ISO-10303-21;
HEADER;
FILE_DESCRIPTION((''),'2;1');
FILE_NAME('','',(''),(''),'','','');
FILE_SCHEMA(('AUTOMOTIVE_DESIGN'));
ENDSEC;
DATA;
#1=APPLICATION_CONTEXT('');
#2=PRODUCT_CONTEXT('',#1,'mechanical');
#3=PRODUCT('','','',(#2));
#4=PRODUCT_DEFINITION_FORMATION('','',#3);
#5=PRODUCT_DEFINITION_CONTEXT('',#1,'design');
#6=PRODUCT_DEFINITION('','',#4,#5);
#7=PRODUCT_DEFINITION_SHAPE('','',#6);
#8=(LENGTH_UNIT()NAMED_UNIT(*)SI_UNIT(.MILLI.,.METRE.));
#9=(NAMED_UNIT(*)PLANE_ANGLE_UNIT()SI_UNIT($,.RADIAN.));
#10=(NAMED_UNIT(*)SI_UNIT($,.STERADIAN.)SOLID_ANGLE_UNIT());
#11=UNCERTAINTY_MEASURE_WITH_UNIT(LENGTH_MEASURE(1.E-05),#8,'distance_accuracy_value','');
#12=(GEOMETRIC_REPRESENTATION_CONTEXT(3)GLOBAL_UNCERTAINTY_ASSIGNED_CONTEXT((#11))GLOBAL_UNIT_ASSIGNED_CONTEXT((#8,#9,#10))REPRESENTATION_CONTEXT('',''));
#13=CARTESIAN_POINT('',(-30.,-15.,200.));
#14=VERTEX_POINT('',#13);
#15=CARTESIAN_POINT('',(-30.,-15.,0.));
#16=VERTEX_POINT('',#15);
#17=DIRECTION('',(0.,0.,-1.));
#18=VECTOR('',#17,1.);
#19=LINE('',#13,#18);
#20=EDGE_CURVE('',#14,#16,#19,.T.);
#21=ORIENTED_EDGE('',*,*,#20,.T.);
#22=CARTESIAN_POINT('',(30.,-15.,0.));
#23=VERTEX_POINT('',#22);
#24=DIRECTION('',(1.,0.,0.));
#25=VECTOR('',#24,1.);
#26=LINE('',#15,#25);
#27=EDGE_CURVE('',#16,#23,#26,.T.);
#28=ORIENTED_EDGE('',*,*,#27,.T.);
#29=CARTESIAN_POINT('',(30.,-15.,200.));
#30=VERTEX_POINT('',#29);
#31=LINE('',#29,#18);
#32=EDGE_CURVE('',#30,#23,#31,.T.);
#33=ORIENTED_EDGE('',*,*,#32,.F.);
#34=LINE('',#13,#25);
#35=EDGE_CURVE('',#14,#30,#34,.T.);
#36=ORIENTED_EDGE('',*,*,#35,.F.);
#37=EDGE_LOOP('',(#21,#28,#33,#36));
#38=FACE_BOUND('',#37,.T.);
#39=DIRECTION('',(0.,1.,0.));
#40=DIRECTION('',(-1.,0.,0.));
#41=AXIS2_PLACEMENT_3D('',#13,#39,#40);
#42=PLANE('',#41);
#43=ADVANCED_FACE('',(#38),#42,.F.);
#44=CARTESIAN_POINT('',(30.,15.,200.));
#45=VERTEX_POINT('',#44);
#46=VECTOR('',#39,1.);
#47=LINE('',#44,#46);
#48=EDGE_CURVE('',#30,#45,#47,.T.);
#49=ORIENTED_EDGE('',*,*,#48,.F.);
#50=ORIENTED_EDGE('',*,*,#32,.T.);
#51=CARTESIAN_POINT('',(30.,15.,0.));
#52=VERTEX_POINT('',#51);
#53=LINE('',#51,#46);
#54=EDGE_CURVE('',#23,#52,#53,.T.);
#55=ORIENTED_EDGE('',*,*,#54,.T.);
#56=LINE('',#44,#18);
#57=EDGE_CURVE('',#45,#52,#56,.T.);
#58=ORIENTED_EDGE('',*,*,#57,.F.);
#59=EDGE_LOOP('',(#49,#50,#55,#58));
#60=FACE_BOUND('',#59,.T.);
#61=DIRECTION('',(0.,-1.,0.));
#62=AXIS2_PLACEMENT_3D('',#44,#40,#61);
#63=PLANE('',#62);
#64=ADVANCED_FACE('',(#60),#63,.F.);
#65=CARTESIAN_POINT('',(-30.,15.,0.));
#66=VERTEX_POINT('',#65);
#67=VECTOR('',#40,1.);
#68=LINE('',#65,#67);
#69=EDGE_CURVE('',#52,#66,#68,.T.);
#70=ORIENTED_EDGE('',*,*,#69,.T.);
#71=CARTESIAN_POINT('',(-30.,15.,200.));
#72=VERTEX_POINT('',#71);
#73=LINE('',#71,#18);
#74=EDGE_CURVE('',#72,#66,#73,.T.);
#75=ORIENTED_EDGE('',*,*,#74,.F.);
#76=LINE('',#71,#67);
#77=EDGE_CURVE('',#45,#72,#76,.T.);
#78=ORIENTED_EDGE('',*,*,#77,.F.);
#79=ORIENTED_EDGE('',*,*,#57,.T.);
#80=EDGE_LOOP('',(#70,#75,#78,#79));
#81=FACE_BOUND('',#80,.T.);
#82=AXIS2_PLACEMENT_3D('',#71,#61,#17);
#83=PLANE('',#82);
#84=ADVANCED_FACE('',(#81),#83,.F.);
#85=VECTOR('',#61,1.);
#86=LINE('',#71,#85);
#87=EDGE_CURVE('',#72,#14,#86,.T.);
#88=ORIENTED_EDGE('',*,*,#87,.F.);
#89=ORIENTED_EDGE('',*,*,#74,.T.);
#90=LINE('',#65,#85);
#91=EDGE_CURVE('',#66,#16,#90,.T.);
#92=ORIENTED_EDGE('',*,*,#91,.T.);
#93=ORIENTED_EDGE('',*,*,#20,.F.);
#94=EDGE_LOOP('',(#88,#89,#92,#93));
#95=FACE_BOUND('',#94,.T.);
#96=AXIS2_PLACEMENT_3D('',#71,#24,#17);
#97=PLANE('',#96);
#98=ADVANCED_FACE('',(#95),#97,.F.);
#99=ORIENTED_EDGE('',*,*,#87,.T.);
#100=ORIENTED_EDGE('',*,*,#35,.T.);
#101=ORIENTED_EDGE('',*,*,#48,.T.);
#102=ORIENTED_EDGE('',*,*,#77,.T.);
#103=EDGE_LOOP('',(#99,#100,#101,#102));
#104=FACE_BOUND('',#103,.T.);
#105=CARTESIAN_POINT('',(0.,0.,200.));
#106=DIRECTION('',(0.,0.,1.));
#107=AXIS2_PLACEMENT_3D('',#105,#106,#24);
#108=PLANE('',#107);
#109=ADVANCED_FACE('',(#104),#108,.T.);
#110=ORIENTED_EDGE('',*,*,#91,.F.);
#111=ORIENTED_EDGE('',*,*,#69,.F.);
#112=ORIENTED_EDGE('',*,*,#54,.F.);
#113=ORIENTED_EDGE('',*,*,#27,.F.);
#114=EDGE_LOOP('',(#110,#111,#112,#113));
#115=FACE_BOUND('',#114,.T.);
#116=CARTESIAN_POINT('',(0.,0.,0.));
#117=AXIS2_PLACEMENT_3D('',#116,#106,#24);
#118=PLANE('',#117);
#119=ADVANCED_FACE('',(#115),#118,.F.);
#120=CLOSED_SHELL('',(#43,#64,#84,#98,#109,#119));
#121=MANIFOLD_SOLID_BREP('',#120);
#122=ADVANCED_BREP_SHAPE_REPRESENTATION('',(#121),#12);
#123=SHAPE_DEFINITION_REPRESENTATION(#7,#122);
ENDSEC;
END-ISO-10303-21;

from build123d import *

# Parameters (mm, degrees)
SKETCH_1_W      = 60
SKETCH_1_H      = 30
EXTRUDE_1_DEPTH = 200


with BuildPart() as part:
    # 스케치1 → 보스-돌출1 (new body)
    with BuildSketch(Plane.XY):
        Rectangle(SKETCH_1_W, SKETCH_1_H)
    extrude(amount=EXTRUDE_1_DEPTH)


solid = part.part
